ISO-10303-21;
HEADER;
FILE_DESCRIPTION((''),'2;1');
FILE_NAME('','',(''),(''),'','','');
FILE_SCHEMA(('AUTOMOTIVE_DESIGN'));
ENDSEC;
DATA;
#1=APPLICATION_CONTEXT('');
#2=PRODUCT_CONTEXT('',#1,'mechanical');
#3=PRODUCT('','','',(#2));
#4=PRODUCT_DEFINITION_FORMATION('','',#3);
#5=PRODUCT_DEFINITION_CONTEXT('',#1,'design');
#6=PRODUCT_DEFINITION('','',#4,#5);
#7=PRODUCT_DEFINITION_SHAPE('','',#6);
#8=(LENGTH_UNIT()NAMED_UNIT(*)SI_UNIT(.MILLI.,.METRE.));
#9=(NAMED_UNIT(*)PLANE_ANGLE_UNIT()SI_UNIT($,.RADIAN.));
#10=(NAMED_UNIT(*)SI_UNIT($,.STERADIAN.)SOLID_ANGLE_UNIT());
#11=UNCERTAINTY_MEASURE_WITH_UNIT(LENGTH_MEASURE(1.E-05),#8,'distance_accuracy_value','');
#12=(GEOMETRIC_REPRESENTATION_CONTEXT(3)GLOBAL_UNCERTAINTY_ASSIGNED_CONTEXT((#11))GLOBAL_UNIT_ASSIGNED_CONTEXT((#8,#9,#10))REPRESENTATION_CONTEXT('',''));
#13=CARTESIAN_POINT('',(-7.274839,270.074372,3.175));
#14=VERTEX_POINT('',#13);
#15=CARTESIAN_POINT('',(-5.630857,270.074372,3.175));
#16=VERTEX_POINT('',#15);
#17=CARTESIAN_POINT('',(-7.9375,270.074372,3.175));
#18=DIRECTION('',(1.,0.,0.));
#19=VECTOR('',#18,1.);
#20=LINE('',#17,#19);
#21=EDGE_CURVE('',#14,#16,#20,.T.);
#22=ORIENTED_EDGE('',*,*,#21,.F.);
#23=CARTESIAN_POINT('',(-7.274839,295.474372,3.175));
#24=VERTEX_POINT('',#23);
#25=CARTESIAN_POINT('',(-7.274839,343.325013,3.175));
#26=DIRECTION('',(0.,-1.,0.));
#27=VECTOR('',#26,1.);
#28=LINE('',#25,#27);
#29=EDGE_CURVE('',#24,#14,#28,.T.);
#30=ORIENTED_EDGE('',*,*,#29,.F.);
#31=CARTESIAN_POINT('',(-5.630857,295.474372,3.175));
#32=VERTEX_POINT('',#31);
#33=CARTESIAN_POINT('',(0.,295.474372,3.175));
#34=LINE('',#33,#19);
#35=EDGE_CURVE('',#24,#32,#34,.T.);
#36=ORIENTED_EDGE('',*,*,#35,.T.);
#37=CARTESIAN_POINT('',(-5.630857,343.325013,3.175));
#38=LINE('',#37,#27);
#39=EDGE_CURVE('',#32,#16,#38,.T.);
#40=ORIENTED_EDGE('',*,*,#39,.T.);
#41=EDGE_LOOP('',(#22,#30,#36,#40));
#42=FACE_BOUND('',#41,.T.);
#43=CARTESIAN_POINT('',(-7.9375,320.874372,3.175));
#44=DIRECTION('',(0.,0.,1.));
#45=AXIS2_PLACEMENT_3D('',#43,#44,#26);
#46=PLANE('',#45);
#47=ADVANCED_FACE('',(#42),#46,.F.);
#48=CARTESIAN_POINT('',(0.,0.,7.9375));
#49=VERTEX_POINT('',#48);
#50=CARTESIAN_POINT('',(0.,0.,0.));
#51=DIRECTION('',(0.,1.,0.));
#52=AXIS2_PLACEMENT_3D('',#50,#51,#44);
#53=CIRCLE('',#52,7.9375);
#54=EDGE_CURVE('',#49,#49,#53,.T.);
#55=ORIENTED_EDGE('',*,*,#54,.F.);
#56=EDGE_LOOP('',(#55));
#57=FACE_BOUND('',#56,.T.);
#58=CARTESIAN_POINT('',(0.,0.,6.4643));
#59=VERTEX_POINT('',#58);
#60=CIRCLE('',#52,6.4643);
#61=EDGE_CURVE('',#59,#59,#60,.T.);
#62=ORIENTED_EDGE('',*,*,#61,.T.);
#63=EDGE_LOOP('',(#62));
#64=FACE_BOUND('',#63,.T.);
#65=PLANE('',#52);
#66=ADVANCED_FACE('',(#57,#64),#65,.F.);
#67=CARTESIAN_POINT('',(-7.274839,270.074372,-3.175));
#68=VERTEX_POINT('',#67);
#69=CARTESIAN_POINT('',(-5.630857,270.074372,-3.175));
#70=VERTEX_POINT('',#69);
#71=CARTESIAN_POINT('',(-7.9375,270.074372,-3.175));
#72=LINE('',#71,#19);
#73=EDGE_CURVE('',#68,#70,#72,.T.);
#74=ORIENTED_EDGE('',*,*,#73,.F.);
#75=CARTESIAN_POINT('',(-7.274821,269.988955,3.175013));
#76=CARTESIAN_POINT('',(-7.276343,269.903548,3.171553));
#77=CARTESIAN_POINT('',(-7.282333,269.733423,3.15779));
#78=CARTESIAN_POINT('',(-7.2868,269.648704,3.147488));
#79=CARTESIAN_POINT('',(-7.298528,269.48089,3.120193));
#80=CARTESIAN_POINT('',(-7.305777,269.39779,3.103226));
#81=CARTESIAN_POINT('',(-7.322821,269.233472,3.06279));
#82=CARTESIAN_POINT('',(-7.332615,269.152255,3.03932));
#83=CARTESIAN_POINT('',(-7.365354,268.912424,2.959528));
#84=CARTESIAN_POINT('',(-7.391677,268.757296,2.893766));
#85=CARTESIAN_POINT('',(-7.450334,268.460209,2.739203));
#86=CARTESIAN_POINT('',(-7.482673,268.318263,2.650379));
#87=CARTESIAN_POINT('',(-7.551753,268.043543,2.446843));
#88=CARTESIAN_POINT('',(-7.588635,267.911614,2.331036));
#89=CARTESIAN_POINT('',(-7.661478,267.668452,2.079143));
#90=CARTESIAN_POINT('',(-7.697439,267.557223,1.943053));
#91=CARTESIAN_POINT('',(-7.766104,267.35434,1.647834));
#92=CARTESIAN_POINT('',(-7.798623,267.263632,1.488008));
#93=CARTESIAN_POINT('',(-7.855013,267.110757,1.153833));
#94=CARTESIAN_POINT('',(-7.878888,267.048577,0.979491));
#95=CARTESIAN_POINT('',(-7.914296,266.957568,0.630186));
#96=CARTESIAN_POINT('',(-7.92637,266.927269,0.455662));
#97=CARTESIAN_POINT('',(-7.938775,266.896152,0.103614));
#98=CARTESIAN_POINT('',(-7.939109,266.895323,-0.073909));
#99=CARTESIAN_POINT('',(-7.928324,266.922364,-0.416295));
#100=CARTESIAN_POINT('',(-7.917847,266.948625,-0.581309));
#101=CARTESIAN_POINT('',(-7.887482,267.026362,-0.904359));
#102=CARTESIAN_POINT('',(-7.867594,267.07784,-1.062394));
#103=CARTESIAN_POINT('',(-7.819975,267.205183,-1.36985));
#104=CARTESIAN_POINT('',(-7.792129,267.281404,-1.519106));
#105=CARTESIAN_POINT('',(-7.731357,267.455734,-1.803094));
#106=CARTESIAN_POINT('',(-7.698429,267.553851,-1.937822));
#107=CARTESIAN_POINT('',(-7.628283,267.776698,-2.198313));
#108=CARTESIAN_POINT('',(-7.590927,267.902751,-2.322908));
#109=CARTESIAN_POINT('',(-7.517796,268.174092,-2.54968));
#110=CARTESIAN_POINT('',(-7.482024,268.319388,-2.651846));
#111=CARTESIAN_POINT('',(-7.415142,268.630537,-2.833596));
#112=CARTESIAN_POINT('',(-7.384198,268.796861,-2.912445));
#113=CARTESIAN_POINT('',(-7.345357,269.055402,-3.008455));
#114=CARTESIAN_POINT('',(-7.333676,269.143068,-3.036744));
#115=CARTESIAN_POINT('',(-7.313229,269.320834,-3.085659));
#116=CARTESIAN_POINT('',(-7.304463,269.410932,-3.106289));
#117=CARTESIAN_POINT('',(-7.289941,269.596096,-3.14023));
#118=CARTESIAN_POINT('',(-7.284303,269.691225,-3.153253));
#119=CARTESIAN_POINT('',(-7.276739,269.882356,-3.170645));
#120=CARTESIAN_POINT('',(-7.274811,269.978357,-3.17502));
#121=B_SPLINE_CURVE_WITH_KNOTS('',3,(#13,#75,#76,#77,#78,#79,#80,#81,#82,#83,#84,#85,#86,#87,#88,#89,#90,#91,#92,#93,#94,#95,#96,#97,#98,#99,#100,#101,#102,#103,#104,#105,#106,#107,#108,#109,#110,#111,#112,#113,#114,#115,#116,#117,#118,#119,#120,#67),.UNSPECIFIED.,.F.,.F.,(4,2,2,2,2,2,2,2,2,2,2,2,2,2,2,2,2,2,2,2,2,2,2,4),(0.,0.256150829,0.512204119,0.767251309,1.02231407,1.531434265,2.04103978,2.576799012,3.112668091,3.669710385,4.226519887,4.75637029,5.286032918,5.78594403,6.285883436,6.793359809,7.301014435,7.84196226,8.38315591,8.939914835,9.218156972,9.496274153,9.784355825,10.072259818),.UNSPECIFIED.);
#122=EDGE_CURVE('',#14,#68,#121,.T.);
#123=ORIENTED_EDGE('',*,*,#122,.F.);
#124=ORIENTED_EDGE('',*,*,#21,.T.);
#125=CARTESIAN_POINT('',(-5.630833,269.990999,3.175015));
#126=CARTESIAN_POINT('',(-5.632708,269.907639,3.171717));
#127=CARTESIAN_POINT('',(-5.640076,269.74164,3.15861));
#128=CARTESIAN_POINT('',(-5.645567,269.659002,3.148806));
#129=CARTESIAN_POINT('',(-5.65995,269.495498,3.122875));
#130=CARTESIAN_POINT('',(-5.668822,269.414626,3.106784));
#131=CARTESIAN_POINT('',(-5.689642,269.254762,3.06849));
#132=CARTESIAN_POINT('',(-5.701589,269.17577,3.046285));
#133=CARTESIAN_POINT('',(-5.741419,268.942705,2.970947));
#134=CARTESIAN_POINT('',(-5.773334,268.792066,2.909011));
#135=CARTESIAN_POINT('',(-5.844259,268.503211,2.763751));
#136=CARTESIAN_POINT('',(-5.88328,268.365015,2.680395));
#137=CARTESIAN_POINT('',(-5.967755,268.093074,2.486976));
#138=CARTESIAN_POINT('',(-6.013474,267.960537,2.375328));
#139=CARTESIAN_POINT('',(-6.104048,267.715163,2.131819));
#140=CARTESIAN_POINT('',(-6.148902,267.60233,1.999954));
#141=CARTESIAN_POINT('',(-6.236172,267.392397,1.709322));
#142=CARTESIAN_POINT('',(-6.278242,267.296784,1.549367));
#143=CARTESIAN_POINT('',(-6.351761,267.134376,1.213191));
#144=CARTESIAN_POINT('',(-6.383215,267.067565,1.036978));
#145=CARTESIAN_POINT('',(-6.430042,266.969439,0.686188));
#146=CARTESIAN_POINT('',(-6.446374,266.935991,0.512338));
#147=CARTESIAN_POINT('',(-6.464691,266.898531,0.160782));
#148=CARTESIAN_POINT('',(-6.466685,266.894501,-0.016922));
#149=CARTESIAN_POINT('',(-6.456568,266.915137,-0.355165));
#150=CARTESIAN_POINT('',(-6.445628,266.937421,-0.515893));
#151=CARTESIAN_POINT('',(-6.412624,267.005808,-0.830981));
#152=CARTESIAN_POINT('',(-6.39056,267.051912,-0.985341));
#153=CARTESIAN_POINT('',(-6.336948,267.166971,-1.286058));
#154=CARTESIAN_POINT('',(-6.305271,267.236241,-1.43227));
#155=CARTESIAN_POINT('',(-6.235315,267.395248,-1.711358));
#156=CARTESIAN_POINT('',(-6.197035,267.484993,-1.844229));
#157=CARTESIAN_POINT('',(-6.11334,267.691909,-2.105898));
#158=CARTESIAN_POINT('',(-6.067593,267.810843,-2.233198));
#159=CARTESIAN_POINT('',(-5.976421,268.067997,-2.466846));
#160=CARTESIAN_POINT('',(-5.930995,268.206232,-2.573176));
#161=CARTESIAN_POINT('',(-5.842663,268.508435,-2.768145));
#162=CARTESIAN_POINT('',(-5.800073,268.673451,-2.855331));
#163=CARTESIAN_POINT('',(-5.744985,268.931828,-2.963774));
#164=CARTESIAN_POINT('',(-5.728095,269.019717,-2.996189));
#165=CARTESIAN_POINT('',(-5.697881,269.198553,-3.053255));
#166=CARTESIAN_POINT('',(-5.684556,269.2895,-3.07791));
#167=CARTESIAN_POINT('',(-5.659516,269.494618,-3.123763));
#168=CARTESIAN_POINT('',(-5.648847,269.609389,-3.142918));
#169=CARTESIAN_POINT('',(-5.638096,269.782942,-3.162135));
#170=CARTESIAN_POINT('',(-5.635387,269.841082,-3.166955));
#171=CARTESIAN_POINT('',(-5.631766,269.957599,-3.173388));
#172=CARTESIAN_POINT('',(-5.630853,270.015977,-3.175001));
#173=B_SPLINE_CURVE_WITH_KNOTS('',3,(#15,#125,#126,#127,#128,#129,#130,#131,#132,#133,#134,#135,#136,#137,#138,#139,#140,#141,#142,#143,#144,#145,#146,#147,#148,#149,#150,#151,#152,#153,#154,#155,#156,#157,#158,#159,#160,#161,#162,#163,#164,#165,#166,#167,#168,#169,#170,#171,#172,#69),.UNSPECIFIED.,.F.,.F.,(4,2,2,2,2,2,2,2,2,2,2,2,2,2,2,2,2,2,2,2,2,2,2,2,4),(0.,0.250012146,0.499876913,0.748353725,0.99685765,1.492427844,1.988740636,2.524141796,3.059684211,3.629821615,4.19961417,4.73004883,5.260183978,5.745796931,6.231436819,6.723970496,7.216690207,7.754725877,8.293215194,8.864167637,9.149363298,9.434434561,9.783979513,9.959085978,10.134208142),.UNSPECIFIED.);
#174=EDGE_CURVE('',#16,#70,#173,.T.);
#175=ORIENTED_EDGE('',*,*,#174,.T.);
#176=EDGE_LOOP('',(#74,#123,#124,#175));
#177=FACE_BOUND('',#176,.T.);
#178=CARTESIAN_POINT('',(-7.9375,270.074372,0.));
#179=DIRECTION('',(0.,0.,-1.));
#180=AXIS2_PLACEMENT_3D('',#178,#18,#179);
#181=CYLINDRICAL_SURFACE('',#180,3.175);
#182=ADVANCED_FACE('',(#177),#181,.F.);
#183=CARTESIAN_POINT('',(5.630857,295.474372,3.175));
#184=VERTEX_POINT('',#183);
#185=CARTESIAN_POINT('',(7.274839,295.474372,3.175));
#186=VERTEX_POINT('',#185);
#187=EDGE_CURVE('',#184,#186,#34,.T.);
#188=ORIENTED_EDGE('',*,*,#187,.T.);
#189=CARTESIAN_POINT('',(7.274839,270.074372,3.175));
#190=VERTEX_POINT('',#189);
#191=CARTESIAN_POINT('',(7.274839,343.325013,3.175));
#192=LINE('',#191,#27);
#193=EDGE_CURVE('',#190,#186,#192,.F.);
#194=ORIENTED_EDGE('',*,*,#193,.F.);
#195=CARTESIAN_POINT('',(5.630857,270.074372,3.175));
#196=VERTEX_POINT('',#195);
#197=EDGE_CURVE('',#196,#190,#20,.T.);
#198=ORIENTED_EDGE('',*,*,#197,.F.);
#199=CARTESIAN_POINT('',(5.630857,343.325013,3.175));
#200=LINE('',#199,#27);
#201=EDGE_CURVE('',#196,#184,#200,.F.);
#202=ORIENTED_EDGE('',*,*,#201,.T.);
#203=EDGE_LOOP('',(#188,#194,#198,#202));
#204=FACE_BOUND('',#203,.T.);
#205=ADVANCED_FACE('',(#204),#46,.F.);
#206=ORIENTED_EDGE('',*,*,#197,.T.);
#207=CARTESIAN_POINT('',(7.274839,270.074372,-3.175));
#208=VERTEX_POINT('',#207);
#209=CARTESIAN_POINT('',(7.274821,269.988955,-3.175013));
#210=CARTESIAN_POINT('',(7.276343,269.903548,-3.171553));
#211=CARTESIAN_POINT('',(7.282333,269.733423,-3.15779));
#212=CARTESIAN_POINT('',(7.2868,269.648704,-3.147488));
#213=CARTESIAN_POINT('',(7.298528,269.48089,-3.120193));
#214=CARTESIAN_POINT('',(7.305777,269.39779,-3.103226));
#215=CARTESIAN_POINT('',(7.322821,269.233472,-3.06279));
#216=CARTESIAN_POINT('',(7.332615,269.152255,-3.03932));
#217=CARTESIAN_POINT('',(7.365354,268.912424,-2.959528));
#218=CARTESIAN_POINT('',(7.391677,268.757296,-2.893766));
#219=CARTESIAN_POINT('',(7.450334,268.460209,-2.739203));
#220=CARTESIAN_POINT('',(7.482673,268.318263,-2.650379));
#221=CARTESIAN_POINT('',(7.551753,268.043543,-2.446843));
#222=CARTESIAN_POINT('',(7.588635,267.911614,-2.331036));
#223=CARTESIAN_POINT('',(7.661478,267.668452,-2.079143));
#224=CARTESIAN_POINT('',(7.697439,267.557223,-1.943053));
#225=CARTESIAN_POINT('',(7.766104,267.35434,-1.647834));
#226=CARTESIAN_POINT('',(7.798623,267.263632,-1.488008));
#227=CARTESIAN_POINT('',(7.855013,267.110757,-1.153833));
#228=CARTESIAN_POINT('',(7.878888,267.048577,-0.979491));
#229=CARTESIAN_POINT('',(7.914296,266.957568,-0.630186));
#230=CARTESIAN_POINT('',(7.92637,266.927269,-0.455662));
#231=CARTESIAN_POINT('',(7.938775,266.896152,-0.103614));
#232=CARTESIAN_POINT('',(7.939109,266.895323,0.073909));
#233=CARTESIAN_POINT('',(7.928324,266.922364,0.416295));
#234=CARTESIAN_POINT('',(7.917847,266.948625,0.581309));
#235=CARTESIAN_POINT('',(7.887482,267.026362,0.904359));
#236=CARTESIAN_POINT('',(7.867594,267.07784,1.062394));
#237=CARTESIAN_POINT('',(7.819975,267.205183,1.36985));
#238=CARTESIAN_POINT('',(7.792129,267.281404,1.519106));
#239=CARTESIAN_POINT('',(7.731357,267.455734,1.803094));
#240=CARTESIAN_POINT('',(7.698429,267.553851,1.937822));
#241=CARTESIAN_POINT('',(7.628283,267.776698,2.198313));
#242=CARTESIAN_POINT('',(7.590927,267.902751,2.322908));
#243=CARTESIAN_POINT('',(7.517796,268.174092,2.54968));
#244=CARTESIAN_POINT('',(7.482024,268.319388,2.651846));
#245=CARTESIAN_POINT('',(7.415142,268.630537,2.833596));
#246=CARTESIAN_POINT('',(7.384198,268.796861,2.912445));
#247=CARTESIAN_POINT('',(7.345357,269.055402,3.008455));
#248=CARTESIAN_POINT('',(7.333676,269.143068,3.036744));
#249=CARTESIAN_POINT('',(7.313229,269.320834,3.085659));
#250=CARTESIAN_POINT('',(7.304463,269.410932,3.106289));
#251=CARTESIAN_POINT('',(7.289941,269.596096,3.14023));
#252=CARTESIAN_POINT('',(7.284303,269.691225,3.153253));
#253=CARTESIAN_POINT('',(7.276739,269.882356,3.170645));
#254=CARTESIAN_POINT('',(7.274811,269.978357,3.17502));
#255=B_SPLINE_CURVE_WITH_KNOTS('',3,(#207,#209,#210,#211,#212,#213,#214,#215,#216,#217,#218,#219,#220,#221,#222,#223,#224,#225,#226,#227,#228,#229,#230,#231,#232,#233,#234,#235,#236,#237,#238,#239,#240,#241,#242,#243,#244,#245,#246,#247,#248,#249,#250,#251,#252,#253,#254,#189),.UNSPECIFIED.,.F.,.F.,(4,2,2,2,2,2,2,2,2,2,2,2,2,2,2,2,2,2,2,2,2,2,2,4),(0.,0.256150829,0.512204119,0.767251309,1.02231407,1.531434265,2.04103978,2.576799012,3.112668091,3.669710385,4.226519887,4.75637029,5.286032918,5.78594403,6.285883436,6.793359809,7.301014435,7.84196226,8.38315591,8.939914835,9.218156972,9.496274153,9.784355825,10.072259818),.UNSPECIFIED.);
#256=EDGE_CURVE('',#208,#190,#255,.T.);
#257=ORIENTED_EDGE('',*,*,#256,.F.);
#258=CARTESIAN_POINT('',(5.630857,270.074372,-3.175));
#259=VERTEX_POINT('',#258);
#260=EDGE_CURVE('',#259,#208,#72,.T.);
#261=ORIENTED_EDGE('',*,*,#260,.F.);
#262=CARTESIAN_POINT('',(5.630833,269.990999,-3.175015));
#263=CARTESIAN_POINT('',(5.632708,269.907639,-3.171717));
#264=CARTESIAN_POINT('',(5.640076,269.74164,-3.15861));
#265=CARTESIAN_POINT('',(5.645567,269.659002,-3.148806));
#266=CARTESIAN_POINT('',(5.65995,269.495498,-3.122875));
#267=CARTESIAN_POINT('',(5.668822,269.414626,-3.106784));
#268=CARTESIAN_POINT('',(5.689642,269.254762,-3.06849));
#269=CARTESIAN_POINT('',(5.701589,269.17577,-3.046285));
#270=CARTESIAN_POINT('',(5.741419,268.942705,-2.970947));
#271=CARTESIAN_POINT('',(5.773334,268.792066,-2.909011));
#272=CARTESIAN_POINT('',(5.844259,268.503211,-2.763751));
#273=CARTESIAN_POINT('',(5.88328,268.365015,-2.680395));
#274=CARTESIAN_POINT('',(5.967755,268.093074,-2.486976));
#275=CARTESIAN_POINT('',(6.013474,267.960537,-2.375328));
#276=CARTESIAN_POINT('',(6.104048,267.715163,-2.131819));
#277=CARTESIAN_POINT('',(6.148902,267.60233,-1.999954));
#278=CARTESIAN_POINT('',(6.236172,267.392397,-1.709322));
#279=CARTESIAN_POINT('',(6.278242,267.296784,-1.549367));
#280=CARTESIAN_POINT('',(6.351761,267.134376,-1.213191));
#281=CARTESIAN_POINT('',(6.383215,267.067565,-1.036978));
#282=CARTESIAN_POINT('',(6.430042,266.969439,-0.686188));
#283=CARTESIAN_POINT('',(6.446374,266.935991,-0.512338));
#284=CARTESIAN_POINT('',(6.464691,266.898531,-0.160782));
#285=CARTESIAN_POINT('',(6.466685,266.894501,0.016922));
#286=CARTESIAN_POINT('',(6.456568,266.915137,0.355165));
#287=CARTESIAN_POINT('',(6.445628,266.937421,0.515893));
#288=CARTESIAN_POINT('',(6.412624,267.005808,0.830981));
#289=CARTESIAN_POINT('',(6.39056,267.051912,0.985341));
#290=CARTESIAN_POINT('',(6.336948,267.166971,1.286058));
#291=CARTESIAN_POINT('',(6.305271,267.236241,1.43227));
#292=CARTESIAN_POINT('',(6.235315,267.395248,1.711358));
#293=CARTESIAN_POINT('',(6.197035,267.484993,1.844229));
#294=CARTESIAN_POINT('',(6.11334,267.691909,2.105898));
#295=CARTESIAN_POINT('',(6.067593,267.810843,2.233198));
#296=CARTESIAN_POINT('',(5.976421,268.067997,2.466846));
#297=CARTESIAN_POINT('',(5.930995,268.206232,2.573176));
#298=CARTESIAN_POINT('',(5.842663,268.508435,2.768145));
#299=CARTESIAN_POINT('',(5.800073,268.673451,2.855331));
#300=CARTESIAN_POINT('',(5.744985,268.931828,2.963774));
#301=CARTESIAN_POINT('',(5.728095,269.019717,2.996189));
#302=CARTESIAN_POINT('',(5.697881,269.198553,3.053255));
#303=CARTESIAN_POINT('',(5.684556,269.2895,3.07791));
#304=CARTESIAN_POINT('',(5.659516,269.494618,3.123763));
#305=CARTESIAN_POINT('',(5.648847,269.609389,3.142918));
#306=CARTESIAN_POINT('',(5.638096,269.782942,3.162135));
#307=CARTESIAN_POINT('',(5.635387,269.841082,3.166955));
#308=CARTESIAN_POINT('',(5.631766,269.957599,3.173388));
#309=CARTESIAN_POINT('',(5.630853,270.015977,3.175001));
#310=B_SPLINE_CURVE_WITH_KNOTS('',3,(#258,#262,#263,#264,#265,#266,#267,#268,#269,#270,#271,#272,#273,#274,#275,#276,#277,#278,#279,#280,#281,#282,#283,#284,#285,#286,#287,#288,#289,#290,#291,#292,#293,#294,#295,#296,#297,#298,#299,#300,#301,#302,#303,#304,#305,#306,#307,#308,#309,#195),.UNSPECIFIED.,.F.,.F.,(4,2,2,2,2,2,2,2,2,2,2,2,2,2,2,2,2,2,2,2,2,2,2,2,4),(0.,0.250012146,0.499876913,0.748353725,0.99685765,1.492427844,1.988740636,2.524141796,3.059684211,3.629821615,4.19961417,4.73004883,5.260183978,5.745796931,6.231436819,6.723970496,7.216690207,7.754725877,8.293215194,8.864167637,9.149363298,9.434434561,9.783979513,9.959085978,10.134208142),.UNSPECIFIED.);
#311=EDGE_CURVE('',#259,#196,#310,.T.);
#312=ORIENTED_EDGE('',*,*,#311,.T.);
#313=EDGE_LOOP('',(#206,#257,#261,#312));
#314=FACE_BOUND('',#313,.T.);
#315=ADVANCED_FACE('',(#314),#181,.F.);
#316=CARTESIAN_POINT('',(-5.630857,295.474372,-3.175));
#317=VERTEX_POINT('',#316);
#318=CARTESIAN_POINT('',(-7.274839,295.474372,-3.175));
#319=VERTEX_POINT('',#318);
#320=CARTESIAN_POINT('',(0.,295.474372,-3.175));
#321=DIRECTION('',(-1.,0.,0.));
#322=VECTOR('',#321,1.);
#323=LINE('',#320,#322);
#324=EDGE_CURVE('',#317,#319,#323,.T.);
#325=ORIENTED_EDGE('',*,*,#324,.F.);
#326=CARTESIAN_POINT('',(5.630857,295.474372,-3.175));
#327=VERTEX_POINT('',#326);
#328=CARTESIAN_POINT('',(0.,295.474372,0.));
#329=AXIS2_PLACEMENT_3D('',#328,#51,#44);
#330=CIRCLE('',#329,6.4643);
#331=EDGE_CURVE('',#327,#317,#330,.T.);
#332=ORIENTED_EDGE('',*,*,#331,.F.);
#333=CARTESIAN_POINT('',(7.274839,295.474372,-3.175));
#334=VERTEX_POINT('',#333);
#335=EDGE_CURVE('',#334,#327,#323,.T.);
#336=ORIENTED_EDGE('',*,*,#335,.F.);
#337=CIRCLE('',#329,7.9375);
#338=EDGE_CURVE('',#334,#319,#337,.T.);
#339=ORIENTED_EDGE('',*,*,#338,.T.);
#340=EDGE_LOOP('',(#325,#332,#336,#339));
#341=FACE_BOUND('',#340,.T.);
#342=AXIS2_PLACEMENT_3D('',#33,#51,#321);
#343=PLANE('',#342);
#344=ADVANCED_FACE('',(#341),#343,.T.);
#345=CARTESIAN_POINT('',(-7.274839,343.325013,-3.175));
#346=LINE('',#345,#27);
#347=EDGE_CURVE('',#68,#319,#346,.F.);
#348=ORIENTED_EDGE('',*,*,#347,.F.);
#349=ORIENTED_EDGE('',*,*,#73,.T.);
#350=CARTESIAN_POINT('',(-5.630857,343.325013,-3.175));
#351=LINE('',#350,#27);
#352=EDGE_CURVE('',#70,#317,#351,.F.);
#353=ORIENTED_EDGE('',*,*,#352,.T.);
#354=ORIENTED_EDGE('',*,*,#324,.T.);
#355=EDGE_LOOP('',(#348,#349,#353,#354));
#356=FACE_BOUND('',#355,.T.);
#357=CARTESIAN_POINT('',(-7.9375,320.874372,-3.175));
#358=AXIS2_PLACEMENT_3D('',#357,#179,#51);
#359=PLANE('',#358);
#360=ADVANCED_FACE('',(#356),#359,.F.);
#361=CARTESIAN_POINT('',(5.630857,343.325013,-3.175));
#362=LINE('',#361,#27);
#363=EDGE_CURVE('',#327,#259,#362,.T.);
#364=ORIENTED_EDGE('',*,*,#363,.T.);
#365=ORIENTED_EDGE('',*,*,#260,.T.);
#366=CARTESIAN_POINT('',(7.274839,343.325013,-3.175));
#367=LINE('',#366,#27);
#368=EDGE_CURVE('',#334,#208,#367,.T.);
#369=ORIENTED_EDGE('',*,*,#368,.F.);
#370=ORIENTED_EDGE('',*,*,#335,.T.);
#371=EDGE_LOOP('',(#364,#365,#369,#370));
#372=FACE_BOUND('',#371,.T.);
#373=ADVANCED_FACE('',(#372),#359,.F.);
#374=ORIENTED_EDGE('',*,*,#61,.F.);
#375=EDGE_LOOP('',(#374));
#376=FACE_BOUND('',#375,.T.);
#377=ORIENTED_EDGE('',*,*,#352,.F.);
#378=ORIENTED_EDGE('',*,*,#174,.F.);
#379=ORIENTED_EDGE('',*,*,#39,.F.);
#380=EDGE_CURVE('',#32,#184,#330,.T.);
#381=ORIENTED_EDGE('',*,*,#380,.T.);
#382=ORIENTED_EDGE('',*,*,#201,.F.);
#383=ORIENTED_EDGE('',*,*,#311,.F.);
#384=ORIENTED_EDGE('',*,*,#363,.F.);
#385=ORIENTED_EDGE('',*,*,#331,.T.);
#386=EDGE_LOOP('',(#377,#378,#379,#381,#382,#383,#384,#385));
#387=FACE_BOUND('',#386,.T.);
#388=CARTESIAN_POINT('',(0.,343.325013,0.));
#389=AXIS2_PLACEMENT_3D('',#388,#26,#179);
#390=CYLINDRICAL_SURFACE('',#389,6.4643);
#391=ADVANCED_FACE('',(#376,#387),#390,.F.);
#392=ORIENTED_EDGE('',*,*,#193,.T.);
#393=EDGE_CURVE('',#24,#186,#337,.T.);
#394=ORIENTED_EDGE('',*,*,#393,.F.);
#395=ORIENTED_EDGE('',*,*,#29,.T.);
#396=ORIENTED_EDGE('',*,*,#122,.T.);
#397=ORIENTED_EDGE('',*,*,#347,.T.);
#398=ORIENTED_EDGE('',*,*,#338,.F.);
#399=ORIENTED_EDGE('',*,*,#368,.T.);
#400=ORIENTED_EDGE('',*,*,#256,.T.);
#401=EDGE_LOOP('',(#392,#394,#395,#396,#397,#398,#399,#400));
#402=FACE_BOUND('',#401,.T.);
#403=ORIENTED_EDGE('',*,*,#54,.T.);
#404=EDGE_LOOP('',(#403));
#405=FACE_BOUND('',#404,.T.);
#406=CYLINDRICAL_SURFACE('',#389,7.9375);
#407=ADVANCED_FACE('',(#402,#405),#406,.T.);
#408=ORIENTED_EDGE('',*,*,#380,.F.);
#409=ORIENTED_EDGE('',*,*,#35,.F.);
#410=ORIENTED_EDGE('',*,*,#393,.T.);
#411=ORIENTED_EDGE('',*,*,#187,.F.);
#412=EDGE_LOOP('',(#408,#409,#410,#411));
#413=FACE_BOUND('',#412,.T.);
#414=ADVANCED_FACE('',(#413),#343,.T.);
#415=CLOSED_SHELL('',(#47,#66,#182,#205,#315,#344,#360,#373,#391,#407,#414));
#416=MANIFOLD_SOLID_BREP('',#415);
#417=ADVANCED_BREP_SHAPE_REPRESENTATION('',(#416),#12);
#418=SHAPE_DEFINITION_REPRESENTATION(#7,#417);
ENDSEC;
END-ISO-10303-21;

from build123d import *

# Parameters (mm, degrees)
SKETCH1_R               = 7.9375
SKETCH1_R_2             = 6.4643
BOSS_EXTRUDE1_DEPTH     = 295.474372219
CUT_EXTRUDE1_DEPTH      = 296.687525017
CUT_EXTRUDE1_DEPTH_BACK = 296.687525017


with BuildPart() as part:
    # Sketch1 → Boss-Extrude1 (new body)
    with BuildSketch(Plane(origin=(0, 0, 0), x_dir=(1, 0, 0), z_dir=(0, 1, 0))):
        with Locations(Location((0, 0, 0), (0, 0, 270))):
            Circle(SKETCH1_R)
        with Locations(Location((0, 0, 0), (0, 0, 270))):
            Circle(SKETCH1_R_2, mode=Mode.SUBTRACT)
    extrude(amount=BOSS_EXTRUDE1_DEPTH)

    # Sketch4 → Cut-Extrude1 (cut, two sides: drawn at the far end of the back side and taken through both)
    with BuildSketch(Plane(origin=(0, 0, 0), x_dir=(0, 0, -1), z_dir=(1, 0, 0)).offset(-CUT_EXTRUDE1_DEPTH_BACK)):
        with BuildLine():
            Line((3.175, 320.874372219), (3.175, 270.074372219))
            ThreePointArc((3.175, 270.074372219), (0, 266.899372219), (-3.175, 270.074372219))
            Line((-3.175, 270.074372219), (-3.175, 320.874372219))
            ThreePointArc((-3.175, 320.874372219), (0, 324.049372219), (3.175, 320.874372219))
        make_face()
    extrude(amount=CUT_EXTRUDE1_DEPTH + CUT_EXTRUDE1_DEPTH_BACK, mode=Mode.SUBTRACT)


solid = part.part
